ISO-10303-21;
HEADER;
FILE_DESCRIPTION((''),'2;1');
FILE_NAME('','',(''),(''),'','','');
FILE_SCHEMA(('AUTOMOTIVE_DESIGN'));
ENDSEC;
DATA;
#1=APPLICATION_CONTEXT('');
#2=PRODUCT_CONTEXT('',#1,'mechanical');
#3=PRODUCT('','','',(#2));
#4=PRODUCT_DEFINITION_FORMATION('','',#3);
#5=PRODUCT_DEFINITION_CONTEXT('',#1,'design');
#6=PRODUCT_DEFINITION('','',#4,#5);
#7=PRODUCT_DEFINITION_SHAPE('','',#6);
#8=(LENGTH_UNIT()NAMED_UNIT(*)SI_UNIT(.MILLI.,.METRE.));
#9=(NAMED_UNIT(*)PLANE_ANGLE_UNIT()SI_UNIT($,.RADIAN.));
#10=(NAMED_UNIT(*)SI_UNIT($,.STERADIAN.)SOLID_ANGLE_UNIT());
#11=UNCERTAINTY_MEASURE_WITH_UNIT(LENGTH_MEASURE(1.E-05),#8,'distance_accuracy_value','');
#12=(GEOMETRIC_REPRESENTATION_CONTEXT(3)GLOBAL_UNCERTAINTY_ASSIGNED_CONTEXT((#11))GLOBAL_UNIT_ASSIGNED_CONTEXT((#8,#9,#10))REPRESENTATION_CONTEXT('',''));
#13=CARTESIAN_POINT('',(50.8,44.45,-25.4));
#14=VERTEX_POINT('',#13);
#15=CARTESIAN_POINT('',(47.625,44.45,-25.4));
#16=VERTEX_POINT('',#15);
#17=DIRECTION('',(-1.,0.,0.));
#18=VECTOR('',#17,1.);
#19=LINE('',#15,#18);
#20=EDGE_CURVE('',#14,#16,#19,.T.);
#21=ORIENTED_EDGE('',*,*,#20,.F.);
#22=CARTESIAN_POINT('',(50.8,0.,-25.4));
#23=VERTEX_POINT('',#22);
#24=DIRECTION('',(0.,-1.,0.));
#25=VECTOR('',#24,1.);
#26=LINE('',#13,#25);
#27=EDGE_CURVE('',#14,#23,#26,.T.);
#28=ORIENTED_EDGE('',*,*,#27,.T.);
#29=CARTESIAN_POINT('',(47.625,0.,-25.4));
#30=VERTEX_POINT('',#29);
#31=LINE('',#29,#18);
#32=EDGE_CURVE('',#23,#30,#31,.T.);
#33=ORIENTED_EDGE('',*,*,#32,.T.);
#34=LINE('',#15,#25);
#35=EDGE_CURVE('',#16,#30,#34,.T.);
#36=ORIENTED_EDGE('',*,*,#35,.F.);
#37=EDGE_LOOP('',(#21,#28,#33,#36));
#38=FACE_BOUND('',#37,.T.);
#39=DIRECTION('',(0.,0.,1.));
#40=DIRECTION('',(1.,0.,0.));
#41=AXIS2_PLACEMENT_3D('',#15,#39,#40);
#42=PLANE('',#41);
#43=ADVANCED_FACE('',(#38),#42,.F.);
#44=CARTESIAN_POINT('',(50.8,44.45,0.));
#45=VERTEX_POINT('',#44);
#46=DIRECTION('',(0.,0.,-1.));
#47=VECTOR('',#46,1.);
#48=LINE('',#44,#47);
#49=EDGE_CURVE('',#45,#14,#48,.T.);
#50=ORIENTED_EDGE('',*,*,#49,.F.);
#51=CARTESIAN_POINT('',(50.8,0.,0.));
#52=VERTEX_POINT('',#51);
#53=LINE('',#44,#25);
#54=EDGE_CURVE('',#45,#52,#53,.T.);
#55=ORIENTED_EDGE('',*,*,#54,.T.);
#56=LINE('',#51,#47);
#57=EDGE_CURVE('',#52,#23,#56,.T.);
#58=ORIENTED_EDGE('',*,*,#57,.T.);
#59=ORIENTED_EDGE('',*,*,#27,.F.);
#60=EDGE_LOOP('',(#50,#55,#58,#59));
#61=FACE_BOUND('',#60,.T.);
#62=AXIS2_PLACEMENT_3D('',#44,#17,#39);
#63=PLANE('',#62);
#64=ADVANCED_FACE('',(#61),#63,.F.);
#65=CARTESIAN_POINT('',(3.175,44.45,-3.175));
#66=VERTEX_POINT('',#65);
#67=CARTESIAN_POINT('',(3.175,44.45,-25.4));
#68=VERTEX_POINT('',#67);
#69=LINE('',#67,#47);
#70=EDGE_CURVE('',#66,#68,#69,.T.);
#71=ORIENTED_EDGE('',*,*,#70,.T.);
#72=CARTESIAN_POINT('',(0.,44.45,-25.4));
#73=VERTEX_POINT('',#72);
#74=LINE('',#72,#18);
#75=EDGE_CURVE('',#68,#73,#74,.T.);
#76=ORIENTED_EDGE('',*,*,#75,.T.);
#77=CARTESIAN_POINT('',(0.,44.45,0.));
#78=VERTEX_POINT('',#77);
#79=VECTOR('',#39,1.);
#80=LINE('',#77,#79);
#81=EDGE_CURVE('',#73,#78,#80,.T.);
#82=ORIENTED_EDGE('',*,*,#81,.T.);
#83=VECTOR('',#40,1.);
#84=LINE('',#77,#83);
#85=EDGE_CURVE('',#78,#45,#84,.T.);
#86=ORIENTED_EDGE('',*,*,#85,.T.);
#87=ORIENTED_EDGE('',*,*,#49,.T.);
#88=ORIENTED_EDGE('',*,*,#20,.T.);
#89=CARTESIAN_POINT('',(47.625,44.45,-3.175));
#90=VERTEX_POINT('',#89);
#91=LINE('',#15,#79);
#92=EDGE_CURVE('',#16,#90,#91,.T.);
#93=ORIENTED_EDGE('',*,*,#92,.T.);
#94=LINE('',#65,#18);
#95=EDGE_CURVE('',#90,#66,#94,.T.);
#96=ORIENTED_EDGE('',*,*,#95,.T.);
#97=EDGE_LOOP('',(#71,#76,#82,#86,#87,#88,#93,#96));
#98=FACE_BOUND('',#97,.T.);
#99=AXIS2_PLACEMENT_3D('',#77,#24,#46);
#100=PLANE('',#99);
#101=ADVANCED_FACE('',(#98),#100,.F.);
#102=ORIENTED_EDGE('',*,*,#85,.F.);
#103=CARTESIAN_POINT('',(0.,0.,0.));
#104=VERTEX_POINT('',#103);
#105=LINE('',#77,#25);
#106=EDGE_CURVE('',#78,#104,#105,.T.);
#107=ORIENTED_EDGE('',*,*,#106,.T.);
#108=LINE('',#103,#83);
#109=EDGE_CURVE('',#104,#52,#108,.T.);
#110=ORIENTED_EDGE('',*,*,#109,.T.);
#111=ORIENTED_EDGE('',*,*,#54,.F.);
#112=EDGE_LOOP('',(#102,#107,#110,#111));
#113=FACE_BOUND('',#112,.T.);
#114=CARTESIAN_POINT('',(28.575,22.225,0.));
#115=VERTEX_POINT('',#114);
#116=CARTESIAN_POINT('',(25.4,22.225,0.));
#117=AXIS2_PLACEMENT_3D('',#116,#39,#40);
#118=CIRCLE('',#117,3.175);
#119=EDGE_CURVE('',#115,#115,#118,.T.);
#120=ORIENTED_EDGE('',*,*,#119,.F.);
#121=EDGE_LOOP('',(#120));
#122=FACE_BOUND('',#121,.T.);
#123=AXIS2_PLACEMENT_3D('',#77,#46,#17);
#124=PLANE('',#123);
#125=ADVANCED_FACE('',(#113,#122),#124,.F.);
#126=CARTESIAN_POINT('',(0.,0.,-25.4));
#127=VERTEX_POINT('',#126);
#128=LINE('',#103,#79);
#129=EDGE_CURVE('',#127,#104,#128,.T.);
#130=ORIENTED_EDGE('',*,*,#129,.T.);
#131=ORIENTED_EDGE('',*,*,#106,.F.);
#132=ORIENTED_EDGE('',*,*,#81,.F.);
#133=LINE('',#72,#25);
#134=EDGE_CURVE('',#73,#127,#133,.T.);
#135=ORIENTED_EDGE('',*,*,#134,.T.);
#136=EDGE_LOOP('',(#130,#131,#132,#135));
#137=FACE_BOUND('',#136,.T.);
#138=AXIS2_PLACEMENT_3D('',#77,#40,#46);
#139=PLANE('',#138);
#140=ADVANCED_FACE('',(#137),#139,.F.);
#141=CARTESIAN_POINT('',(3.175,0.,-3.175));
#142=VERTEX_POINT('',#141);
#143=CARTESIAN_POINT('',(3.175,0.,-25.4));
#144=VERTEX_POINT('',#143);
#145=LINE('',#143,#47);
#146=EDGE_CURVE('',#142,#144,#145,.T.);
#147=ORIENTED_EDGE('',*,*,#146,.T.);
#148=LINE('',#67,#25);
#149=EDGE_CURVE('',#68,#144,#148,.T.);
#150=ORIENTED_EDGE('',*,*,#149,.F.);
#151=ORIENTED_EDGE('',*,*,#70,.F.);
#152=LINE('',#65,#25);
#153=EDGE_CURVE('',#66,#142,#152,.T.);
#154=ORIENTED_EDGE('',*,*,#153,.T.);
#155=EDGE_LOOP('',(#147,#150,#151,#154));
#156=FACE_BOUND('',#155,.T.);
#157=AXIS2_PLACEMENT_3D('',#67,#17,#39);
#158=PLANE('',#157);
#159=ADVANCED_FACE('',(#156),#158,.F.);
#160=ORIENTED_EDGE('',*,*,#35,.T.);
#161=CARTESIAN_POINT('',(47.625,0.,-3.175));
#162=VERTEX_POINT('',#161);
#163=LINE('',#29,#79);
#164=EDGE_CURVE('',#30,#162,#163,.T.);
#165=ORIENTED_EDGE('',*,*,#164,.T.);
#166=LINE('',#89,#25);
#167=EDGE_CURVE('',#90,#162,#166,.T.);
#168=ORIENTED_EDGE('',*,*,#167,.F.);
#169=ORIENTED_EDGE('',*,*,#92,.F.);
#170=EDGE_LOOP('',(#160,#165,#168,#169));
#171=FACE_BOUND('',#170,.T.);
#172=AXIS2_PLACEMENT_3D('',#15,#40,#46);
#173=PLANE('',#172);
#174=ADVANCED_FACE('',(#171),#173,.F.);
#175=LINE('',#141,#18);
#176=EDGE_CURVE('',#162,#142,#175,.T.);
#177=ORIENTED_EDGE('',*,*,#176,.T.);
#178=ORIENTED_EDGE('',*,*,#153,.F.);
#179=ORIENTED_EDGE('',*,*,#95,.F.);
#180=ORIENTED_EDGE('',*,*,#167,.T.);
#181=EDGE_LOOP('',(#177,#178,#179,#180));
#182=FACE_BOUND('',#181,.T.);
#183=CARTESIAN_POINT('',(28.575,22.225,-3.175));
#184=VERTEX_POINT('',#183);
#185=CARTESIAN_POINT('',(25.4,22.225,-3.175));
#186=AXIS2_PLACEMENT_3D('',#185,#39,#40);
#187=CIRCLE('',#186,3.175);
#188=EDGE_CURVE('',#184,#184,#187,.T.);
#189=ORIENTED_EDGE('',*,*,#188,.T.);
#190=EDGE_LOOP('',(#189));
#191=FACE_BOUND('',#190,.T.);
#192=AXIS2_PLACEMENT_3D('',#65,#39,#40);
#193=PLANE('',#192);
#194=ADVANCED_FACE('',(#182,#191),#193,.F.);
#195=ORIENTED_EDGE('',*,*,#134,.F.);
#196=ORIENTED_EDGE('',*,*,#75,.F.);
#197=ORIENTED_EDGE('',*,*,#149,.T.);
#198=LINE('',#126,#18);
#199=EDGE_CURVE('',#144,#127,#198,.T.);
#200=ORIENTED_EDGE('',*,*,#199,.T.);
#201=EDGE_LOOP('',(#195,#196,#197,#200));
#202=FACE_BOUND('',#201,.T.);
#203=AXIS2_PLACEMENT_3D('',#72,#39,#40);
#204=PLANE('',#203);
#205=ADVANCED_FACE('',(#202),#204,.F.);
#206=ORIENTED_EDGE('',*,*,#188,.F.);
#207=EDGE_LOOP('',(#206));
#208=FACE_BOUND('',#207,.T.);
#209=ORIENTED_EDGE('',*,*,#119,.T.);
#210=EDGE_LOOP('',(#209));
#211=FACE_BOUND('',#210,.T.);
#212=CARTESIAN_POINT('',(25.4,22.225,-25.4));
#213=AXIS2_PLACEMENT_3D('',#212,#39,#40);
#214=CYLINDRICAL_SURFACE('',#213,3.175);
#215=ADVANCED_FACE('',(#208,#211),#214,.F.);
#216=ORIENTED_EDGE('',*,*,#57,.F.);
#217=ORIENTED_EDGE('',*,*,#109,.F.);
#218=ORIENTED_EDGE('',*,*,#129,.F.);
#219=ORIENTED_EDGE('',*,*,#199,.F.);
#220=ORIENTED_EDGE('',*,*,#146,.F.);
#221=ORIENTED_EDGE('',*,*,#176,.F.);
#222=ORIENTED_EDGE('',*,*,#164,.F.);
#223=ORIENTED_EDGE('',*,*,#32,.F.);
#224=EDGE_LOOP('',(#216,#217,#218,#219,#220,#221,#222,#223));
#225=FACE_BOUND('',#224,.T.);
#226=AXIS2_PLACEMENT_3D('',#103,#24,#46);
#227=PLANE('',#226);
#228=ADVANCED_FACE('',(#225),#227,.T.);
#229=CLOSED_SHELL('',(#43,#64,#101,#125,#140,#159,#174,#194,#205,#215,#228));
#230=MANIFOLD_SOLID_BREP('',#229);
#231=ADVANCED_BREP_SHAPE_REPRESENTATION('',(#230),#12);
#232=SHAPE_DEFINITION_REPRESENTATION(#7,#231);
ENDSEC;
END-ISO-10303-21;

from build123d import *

# Parameters (mm, degrees)
BOSS_EXTRUDE1_DEPTH = 44.45
SKETCH2_R           = 3.175
CUT_EXTRUDE1_DEPTH  = 73.122135992


with BuildPart() as part:
    # Sketch1 → Boss-Extrude1 (new body)
    with BuildSketch(Plane(origin=(0, 0, 0), x_dir=(1, 0, 0), z_dir=(0, 1, 0))):
        Polygon((47.625, 25.4), (50.8, 25.4), (50.8, 0), (0, 0), (0, 25.4), (3.175, 25.4), (3.175, 3.175), (47.625, 3.175), align=None)
    extrude(amount=BOSS_EXTRUDE1_DEPTH)

    # Sketch2 → Cut-Extrude1 (cut, through all)
    with BuildSketch(Plane.XY):
        with Locations((25.4, 22.225)):
            Circle(SKETCH2_R)
    extrude(amount=-CUT_EXTRUDE1_DEPTH, mode=Mode.SUBTRACT)


solid = part.part
